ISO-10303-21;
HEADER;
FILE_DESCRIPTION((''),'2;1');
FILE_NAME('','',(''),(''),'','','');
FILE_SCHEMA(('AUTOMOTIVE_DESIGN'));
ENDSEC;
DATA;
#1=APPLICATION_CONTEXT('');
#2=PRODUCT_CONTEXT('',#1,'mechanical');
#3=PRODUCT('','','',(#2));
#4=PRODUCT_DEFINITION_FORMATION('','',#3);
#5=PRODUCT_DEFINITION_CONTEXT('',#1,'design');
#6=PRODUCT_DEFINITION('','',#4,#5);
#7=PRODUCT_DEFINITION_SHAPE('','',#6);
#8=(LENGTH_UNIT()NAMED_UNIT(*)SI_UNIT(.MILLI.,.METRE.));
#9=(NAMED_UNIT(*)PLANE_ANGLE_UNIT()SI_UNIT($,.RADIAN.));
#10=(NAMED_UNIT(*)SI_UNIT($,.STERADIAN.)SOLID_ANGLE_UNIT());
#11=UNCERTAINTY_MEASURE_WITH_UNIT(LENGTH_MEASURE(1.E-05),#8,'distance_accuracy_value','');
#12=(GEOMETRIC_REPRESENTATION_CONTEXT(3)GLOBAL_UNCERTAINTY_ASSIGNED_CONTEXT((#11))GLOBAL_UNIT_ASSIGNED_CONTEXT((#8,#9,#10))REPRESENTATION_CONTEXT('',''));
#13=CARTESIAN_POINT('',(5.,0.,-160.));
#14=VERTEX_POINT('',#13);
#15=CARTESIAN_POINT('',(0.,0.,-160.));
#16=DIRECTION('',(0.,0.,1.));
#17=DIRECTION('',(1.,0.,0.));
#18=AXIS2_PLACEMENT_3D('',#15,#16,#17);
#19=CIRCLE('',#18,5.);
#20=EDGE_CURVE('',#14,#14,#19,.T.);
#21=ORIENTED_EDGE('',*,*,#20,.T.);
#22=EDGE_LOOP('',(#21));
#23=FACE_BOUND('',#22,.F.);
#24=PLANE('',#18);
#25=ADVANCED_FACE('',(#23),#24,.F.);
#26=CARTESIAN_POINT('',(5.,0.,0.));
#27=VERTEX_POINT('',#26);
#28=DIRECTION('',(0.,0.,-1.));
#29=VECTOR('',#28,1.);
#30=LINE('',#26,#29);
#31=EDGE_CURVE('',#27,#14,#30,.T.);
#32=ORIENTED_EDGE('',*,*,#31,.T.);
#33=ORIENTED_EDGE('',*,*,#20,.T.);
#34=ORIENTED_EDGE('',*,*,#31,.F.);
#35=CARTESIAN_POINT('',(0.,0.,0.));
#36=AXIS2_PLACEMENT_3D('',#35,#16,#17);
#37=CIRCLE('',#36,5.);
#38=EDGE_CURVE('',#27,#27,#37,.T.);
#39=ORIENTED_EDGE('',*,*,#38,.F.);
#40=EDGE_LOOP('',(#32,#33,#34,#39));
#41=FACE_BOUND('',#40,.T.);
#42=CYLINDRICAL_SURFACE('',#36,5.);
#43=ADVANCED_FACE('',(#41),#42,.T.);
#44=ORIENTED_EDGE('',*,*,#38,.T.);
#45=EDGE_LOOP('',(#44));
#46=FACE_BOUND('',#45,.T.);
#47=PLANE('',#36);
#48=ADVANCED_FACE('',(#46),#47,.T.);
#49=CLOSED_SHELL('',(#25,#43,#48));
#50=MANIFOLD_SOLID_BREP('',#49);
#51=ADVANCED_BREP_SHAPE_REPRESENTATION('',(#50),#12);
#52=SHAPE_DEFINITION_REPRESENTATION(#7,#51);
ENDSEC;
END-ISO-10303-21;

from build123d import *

# Parameters (mm, degrees)
SKETCH2_R           = 5
BOSS_EXTRUDE1_DEPTH = 160


with BuildPart() as part:
    # Sketch2 → Boss-Extrude1 (new body)
    with BuildSketch(Plane.XY):
        Circle(SKETCH2_R)
    extrude(amount=-BOSS_EXTRUDE1_DEPTH)


solid = part.part
